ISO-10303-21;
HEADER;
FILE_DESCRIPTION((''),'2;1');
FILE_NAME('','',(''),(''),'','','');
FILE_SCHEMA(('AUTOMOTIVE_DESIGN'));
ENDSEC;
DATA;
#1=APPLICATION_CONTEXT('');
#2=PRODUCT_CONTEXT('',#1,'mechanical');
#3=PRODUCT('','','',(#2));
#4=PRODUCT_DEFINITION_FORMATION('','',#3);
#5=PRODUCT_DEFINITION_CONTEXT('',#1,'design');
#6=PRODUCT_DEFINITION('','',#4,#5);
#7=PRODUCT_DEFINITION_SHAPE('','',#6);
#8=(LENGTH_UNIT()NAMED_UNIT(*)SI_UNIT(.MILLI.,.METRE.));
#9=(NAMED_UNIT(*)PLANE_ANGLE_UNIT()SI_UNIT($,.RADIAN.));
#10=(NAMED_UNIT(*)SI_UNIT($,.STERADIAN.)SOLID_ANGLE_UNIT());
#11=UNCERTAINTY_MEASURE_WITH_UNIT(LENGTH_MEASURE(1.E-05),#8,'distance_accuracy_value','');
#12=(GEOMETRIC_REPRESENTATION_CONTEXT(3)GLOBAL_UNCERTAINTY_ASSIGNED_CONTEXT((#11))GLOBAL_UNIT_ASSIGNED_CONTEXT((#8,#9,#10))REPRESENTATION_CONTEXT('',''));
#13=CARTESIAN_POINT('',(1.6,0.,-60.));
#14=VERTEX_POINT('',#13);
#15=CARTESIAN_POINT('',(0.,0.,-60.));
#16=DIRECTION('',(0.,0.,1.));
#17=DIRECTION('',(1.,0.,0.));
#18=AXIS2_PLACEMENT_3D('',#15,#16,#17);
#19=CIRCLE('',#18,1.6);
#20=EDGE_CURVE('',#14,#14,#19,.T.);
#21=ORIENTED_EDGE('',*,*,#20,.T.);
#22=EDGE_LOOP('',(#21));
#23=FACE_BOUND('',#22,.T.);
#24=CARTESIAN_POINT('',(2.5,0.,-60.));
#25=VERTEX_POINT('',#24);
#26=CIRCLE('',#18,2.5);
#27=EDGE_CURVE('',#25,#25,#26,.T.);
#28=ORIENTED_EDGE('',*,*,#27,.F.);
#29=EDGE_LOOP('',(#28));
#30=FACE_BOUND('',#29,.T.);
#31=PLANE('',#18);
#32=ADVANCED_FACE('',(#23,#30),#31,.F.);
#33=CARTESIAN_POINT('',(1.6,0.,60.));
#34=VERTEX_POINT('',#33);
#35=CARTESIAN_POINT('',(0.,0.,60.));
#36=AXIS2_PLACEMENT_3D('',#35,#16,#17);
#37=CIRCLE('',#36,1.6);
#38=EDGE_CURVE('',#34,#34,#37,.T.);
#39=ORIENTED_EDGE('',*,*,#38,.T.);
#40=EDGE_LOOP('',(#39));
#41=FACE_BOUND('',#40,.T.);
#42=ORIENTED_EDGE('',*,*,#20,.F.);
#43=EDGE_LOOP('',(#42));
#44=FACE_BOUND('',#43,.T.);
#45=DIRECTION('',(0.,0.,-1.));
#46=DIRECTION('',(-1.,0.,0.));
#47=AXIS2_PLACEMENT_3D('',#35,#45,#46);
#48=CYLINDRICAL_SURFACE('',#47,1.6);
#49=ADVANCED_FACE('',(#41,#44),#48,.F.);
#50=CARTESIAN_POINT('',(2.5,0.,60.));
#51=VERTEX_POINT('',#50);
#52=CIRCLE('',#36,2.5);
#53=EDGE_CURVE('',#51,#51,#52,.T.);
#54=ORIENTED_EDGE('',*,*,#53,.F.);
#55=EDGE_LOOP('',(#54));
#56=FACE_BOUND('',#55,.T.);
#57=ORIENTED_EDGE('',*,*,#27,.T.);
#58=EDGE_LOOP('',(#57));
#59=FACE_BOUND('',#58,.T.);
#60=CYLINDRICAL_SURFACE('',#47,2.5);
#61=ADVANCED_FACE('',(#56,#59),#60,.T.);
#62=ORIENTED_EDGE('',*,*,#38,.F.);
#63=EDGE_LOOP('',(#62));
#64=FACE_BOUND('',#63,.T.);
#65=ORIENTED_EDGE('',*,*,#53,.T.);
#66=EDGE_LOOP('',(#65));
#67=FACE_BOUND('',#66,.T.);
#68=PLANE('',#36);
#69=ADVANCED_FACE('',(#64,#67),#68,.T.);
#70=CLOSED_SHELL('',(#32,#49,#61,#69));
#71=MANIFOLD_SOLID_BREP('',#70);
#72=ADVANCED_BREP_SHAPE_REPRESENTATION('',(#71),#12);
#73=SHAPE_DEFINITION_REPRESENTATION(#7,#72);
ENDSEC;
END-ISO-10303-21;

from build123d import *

# Parameters (mm, degrees)
SKETCH_1_R      = 2.5
SKETCH_1_R_2    = 1.6
EXTRUDE_1_DEPTH = 60


with BuildPart() as part:
    # 草图1 → 凸台-拉伸1 (new body, symmetric)
    with BuildSketch(Plane.XY):
        Circle(SKETCH_1_R)
        Circle(SKETCH_1_R_2, mode=Mode.SUBTRACT)
    extrude(amount=EXTRUDE_1_DEPTH, both=True)


solid = part.part
